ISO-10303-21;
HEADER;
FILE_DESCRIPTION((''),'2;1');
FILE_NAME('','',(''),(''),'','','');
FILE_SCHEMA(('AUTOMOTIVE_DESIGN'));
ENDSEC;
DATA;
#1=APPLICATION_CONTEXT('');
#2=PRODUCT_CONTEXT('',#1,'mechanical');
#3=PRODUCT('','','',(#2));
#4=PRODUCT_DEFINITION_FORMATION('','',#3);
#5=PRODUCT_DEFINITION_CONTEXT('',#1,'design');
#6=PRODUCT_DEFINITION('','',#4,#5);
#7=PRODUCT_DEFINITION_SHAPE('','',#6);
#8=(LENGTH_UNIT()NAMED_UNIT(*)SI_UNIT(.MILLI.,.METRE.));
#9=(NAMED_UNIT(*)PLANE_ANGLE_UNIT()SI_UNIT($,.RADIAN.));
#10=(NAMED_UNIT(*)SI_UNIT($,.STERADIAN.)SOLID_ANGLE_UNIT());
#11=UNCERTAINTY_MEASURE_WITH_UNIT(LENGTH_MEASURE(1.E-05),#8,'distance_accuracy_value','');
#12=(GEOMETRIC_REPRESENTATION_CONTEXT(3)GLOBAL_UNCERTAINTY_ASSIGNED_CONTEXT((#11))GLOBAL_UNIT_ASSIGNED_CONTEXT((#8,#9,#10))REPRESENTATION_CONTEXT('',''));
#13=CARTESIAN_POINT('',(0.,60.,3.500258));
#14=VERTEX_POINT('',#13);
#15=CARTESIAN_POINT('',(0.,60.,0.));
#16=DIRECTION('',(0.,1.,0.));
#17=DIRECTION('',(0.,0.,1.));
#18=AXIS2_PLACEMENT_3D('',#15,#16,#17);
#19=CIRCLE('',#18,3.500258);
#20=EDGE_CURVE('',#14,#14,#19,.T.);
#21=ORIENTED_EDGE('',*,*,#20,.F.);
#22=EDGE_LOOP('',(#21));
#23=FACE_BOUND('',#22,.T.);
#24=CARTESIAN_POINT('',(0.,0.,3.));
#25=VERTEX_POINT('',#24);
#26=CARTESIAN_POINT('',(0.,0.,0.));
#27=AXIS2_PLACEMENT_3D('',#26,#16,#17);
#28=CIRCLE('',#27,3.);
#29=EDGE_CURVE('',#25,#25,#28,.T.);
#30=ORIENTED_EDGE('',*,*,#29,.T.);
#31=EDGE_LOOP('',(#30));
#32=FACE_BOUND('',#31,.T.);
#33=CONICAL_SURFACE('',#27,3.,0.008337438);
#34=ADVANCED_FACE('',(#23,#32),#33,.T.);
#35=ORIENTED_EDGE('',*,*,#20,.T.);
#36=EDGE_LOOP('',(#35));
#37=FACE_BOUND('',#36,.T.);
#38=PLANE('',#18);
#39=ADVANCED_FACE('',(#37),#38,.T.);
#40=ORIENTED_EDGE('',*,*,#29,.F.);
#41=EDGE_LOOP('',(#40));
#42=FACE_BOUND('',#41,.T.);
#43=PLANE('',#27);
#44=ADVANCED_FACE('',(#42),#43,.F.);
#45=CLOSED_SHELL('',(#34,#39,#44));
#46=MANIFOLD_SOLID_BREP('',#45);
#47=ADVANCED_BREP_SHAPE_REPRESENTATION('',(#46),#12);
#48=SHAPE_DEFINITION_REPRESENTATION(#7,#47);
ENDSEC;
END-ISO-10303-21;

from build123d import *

# Parameters (mm, degrees)
SKETCH1_R           = 3
BOSS_EXTRUDE1_DEPTH = 60
BOSS_EXTRUDE1_DRAFT = -0.4777


with BuildPart() as part:
    # Sketch1 → Boss-Extrude1 (with draft: the straight prism first)
    with BuildSketch(Plane(origin=(0, 0, 0), x_dir=(1, 0, 0), z_dir=(0, 1, 0))):
        Circle(SKETCH1_R)
    extrude(amount=BOSS_EXTRUDE1_DEPTH)
    # Boss-Extrude1: the draft: its side faces are tilted about the plane it starts from
    boss_extrude1_sides = [part.faces().sort_by_distance(p)[0] for p in [
        (-3, 30, 0),
    ]]
    draft(boss_extrude1_sides, Plane(origin=(0, 0, 0), x_dir=(1, 0, 0), z_dir=(0, 1, 0)), BOSS_EXTRUDE1_DRAFT)


solid = part.part
